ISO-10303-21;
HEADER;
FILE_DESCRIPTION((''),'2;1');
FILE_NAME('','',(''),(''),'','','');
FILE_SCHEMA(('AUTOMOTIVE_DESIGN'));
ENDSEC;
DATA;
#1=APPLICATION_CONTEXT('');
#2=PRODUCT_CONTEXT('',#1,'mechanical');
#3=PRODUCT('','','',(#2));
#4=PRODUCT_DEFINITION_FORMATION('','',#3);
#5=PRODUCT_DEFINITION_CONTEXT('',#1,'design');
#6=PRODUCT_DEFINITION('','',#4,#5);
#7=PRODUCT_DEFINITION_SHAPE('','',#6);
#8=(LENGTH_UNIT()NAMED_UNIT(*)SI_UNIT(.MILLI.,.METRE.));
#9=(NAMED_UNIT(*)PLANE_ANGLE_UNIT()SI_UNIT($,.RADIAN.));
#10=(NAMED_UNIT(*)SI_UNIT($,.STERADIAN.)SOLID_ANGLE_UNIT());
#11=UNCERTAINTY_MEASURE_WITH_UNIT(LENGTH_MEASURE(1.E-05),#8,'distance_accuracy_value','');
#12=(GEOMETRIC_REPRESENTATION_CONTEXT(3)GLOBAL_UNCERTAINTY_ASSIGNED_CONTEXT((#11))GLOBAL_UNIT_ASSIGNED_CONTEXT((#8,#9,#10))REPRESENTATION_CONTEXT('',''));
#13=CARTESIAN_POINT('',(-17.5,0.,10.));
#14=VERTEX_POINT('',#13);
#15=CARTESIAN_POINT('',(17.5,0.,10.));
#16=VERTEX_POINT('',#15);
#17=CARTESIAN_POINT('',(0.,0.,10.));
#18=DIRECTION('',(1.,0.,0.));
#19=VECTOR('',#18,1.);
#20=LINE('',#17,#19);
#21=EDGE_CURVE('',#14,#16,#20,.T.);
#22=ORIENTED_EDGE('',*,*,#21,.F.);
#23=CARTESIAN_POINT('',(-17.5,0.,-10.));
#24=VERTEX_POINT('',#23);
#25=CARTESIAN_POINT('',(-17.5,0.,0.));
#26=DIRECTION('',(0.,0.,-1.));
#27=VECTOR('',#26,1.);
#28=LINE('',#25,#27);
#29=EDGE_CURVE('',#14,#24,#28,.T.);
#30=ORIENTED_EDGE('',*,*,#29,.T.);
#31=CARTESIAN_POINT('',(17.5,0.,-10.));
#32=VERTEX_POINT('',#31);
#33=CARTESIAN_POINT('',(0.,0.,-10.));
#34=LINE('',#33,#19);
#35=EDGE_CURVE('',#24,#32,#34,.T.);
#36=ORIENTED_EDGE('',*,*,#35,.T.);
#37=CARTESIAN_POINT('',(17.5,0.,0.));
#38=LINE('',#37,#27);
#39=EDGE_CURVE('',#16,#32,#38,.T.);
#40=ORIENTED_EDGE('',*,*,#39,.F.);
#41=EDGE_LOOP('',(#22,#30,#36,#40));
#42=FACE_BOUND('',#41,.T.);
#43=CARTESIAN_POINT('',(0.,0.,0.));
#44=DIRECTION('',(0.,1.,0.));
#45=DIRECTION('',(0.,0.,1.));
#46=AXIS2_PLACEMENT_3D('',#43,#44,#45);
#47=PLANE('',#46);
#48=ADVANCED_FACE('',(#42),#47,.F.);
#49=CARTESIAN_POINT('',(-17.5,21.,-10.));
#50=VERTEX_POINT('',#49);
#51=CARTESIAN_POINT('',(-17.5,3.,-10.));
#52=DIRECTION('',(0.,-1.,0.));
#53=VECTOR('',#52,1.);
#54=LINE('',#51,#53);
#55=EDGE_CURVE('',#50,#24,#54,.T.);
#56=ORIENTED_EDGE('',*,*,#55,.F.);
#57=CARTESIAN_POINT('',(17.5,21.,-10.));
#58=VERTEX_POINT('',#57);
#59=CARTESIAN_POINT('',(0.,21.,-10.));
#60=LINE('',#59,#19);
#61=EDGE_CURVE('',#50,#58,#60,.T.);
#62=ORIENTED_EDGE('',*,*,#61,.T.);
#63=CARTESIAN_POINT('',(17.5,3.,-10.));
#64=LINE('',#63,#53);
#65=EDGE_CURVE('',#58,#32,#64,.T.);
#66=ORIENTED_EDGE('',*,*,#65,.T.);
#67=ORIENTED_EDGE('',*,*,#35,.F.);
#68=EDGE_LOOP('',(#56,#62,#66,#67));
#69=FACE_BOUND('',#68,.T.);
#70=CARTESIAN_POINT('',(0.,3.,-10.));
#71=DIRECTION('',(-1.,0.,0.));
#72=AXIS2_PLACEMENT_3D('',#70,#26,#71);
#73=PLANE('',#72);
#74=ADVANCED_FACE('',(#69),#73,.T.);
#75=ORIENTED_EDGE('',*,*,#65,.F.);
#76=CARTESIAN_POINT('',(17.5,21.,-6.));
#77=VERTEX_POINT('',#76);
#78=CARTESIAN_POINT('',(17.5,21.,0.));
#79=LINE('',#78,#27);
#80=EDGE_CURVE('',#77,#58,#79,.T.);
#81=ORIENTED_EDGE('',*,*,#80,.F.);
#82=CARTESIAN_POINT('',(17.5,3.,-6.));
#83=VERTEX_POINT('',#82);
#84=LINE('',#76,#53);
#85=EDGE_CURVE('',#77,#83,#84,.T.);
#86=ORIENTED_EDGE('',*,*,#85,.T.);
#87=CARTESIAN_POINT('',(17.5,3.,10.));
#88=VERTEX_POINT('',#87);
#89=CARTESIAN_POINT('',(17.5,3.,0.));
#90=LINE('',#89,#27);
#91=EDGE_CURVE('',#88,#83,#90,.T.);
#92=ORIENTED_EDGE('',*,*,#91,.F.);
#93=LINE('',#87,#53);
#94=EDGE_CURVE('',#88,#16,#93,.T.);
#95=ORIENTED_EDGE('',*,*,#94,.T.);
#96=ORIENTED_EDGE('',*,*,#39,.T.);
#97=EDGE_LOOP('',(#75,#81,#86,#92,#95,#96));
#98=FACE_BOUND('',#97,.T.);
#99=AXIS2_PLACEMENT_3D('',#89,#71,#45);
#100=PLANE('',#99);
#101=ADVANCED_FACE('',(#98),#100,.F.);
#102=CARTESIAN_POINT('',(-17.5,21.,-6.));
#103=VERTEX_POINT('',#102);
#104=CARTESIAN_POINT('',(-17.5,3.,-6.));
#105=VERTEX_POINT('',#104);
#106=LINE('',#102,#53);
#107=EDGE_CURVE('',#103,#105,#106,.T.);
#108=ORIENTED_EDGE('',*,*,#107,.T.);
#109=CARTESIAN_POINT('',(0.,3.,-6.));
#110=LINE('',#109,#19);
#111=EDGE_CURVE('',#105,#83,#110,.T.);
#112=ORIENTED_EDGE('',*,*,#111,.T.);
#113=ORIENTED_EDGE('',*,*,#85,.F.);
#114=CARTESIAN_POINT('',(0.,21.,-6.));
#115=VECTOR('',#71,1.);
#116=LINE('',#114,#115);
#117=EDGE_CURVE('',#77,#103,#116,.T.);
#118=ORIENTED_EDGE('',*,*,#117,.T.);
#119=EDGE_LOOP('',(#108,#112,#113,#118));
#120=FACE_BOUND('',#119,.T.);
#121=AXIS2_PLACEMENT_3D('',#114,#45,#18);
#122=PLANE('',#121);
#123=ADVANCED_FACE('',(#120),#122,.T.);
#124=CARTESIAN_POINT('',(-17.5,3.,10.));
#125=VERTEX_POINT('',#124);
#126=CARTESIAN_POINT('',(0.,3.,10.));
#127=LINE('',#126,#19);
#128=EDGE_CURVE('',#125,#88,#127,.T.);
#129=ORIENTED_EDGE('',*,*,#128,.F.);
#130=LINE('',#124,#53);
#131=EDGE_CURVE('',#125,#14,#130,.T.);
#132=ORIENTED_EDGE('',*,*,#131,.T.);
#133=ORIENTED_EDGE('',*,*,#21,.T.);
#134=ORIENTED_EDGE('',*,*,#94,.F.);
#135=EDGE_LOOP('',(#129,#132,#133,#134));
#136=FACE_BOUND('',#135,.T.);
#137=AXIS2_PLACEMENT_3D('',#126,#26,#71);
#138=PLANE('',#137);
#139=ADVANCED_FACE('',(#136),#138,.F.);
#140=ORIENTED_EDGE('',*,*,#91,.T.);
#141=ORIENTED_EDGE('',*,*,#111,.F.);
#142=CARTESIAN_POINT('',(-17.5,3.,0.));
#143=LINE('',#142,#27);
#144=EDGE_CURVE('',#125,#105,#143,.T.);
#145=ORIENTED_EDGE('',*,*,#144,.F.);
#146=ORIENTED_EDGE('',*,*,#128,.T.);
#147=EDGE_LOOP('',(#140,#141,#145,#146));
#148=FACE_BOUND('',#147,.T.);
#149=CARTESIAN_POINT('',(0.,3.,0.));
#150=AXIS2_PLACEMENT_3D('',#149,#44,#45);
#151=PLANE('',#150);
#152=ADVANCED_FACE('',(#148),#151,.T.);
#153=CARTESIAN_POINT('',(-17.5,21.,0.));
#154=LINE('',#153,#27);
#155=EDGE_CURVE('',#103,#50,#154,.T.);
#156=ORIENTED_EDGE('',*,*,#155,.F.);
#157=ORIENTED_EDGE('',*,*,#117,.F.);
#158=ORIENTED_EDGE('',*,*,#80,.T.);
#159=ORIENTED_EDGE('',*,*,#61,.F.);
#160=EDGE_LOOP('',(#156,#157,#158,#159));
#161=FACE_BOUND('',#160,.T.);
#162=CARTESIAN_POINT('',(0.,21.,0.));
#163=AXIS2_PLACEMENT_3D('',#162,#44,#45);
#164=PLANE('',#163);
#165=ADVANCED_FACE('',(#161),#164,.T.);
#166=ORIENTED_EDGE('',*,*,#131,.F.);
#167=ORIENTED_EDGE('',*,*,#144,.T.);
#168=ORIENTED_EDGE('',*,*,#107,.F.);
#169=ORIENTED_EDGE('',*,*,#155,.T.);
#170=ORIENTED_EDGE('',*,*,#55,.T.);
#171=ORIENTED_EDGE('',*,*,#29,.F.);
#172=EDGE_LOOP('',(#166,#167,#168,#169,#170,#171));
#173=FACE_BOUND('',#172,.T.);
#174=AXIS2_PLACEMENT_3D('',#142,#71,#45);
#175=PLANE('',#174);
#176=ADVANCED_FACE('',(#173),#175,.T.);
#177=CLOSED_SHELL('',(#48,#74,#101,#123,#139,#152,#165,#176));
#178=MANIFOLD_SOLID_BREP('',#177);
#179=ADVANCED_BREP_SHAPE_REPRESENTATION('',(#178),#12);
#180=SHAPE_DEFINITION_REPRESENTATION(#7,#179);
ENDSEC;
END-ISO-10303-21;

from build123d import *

# Parameters (mm, degrees)
SKETCH1_W           = 35
SKETCH1_H           = 20
BOSS_EXTRUDE1_DEPTH = 3
SKETCH1_3_W         = 35
SKETCH1_3_H         = 4
BOSS_EXTRUDE2_DEPTH = 21


with BuildPart() as part:
    # Sketch1 → Boss-Extrude1 (new body)
    with BuildSketch(Plane(origin=(0, 0, 0), x_dir=(1, 0, 0), z_dir=(0, 1, 0))):
        Rectangle(SKETCH1_W, SKETCH1_H)
    extrude(amount=BOSS_EXTRUDE1_DEPTH)

    # Sketch1<3> → Boss-Extrude2 (add)
    with BuildSketch(Plane(origin=(0, 0, 0), x_dir=(1, 0, 0), z_dir=(0, 1, 0))):
        with Locations((0, 8)):
            Rectangle(SKETCH1_3_W, SKETCH1_3_H)
    extrude(amount=BOSS_EXTRUDE2_DEPTH)


solid = part.part
